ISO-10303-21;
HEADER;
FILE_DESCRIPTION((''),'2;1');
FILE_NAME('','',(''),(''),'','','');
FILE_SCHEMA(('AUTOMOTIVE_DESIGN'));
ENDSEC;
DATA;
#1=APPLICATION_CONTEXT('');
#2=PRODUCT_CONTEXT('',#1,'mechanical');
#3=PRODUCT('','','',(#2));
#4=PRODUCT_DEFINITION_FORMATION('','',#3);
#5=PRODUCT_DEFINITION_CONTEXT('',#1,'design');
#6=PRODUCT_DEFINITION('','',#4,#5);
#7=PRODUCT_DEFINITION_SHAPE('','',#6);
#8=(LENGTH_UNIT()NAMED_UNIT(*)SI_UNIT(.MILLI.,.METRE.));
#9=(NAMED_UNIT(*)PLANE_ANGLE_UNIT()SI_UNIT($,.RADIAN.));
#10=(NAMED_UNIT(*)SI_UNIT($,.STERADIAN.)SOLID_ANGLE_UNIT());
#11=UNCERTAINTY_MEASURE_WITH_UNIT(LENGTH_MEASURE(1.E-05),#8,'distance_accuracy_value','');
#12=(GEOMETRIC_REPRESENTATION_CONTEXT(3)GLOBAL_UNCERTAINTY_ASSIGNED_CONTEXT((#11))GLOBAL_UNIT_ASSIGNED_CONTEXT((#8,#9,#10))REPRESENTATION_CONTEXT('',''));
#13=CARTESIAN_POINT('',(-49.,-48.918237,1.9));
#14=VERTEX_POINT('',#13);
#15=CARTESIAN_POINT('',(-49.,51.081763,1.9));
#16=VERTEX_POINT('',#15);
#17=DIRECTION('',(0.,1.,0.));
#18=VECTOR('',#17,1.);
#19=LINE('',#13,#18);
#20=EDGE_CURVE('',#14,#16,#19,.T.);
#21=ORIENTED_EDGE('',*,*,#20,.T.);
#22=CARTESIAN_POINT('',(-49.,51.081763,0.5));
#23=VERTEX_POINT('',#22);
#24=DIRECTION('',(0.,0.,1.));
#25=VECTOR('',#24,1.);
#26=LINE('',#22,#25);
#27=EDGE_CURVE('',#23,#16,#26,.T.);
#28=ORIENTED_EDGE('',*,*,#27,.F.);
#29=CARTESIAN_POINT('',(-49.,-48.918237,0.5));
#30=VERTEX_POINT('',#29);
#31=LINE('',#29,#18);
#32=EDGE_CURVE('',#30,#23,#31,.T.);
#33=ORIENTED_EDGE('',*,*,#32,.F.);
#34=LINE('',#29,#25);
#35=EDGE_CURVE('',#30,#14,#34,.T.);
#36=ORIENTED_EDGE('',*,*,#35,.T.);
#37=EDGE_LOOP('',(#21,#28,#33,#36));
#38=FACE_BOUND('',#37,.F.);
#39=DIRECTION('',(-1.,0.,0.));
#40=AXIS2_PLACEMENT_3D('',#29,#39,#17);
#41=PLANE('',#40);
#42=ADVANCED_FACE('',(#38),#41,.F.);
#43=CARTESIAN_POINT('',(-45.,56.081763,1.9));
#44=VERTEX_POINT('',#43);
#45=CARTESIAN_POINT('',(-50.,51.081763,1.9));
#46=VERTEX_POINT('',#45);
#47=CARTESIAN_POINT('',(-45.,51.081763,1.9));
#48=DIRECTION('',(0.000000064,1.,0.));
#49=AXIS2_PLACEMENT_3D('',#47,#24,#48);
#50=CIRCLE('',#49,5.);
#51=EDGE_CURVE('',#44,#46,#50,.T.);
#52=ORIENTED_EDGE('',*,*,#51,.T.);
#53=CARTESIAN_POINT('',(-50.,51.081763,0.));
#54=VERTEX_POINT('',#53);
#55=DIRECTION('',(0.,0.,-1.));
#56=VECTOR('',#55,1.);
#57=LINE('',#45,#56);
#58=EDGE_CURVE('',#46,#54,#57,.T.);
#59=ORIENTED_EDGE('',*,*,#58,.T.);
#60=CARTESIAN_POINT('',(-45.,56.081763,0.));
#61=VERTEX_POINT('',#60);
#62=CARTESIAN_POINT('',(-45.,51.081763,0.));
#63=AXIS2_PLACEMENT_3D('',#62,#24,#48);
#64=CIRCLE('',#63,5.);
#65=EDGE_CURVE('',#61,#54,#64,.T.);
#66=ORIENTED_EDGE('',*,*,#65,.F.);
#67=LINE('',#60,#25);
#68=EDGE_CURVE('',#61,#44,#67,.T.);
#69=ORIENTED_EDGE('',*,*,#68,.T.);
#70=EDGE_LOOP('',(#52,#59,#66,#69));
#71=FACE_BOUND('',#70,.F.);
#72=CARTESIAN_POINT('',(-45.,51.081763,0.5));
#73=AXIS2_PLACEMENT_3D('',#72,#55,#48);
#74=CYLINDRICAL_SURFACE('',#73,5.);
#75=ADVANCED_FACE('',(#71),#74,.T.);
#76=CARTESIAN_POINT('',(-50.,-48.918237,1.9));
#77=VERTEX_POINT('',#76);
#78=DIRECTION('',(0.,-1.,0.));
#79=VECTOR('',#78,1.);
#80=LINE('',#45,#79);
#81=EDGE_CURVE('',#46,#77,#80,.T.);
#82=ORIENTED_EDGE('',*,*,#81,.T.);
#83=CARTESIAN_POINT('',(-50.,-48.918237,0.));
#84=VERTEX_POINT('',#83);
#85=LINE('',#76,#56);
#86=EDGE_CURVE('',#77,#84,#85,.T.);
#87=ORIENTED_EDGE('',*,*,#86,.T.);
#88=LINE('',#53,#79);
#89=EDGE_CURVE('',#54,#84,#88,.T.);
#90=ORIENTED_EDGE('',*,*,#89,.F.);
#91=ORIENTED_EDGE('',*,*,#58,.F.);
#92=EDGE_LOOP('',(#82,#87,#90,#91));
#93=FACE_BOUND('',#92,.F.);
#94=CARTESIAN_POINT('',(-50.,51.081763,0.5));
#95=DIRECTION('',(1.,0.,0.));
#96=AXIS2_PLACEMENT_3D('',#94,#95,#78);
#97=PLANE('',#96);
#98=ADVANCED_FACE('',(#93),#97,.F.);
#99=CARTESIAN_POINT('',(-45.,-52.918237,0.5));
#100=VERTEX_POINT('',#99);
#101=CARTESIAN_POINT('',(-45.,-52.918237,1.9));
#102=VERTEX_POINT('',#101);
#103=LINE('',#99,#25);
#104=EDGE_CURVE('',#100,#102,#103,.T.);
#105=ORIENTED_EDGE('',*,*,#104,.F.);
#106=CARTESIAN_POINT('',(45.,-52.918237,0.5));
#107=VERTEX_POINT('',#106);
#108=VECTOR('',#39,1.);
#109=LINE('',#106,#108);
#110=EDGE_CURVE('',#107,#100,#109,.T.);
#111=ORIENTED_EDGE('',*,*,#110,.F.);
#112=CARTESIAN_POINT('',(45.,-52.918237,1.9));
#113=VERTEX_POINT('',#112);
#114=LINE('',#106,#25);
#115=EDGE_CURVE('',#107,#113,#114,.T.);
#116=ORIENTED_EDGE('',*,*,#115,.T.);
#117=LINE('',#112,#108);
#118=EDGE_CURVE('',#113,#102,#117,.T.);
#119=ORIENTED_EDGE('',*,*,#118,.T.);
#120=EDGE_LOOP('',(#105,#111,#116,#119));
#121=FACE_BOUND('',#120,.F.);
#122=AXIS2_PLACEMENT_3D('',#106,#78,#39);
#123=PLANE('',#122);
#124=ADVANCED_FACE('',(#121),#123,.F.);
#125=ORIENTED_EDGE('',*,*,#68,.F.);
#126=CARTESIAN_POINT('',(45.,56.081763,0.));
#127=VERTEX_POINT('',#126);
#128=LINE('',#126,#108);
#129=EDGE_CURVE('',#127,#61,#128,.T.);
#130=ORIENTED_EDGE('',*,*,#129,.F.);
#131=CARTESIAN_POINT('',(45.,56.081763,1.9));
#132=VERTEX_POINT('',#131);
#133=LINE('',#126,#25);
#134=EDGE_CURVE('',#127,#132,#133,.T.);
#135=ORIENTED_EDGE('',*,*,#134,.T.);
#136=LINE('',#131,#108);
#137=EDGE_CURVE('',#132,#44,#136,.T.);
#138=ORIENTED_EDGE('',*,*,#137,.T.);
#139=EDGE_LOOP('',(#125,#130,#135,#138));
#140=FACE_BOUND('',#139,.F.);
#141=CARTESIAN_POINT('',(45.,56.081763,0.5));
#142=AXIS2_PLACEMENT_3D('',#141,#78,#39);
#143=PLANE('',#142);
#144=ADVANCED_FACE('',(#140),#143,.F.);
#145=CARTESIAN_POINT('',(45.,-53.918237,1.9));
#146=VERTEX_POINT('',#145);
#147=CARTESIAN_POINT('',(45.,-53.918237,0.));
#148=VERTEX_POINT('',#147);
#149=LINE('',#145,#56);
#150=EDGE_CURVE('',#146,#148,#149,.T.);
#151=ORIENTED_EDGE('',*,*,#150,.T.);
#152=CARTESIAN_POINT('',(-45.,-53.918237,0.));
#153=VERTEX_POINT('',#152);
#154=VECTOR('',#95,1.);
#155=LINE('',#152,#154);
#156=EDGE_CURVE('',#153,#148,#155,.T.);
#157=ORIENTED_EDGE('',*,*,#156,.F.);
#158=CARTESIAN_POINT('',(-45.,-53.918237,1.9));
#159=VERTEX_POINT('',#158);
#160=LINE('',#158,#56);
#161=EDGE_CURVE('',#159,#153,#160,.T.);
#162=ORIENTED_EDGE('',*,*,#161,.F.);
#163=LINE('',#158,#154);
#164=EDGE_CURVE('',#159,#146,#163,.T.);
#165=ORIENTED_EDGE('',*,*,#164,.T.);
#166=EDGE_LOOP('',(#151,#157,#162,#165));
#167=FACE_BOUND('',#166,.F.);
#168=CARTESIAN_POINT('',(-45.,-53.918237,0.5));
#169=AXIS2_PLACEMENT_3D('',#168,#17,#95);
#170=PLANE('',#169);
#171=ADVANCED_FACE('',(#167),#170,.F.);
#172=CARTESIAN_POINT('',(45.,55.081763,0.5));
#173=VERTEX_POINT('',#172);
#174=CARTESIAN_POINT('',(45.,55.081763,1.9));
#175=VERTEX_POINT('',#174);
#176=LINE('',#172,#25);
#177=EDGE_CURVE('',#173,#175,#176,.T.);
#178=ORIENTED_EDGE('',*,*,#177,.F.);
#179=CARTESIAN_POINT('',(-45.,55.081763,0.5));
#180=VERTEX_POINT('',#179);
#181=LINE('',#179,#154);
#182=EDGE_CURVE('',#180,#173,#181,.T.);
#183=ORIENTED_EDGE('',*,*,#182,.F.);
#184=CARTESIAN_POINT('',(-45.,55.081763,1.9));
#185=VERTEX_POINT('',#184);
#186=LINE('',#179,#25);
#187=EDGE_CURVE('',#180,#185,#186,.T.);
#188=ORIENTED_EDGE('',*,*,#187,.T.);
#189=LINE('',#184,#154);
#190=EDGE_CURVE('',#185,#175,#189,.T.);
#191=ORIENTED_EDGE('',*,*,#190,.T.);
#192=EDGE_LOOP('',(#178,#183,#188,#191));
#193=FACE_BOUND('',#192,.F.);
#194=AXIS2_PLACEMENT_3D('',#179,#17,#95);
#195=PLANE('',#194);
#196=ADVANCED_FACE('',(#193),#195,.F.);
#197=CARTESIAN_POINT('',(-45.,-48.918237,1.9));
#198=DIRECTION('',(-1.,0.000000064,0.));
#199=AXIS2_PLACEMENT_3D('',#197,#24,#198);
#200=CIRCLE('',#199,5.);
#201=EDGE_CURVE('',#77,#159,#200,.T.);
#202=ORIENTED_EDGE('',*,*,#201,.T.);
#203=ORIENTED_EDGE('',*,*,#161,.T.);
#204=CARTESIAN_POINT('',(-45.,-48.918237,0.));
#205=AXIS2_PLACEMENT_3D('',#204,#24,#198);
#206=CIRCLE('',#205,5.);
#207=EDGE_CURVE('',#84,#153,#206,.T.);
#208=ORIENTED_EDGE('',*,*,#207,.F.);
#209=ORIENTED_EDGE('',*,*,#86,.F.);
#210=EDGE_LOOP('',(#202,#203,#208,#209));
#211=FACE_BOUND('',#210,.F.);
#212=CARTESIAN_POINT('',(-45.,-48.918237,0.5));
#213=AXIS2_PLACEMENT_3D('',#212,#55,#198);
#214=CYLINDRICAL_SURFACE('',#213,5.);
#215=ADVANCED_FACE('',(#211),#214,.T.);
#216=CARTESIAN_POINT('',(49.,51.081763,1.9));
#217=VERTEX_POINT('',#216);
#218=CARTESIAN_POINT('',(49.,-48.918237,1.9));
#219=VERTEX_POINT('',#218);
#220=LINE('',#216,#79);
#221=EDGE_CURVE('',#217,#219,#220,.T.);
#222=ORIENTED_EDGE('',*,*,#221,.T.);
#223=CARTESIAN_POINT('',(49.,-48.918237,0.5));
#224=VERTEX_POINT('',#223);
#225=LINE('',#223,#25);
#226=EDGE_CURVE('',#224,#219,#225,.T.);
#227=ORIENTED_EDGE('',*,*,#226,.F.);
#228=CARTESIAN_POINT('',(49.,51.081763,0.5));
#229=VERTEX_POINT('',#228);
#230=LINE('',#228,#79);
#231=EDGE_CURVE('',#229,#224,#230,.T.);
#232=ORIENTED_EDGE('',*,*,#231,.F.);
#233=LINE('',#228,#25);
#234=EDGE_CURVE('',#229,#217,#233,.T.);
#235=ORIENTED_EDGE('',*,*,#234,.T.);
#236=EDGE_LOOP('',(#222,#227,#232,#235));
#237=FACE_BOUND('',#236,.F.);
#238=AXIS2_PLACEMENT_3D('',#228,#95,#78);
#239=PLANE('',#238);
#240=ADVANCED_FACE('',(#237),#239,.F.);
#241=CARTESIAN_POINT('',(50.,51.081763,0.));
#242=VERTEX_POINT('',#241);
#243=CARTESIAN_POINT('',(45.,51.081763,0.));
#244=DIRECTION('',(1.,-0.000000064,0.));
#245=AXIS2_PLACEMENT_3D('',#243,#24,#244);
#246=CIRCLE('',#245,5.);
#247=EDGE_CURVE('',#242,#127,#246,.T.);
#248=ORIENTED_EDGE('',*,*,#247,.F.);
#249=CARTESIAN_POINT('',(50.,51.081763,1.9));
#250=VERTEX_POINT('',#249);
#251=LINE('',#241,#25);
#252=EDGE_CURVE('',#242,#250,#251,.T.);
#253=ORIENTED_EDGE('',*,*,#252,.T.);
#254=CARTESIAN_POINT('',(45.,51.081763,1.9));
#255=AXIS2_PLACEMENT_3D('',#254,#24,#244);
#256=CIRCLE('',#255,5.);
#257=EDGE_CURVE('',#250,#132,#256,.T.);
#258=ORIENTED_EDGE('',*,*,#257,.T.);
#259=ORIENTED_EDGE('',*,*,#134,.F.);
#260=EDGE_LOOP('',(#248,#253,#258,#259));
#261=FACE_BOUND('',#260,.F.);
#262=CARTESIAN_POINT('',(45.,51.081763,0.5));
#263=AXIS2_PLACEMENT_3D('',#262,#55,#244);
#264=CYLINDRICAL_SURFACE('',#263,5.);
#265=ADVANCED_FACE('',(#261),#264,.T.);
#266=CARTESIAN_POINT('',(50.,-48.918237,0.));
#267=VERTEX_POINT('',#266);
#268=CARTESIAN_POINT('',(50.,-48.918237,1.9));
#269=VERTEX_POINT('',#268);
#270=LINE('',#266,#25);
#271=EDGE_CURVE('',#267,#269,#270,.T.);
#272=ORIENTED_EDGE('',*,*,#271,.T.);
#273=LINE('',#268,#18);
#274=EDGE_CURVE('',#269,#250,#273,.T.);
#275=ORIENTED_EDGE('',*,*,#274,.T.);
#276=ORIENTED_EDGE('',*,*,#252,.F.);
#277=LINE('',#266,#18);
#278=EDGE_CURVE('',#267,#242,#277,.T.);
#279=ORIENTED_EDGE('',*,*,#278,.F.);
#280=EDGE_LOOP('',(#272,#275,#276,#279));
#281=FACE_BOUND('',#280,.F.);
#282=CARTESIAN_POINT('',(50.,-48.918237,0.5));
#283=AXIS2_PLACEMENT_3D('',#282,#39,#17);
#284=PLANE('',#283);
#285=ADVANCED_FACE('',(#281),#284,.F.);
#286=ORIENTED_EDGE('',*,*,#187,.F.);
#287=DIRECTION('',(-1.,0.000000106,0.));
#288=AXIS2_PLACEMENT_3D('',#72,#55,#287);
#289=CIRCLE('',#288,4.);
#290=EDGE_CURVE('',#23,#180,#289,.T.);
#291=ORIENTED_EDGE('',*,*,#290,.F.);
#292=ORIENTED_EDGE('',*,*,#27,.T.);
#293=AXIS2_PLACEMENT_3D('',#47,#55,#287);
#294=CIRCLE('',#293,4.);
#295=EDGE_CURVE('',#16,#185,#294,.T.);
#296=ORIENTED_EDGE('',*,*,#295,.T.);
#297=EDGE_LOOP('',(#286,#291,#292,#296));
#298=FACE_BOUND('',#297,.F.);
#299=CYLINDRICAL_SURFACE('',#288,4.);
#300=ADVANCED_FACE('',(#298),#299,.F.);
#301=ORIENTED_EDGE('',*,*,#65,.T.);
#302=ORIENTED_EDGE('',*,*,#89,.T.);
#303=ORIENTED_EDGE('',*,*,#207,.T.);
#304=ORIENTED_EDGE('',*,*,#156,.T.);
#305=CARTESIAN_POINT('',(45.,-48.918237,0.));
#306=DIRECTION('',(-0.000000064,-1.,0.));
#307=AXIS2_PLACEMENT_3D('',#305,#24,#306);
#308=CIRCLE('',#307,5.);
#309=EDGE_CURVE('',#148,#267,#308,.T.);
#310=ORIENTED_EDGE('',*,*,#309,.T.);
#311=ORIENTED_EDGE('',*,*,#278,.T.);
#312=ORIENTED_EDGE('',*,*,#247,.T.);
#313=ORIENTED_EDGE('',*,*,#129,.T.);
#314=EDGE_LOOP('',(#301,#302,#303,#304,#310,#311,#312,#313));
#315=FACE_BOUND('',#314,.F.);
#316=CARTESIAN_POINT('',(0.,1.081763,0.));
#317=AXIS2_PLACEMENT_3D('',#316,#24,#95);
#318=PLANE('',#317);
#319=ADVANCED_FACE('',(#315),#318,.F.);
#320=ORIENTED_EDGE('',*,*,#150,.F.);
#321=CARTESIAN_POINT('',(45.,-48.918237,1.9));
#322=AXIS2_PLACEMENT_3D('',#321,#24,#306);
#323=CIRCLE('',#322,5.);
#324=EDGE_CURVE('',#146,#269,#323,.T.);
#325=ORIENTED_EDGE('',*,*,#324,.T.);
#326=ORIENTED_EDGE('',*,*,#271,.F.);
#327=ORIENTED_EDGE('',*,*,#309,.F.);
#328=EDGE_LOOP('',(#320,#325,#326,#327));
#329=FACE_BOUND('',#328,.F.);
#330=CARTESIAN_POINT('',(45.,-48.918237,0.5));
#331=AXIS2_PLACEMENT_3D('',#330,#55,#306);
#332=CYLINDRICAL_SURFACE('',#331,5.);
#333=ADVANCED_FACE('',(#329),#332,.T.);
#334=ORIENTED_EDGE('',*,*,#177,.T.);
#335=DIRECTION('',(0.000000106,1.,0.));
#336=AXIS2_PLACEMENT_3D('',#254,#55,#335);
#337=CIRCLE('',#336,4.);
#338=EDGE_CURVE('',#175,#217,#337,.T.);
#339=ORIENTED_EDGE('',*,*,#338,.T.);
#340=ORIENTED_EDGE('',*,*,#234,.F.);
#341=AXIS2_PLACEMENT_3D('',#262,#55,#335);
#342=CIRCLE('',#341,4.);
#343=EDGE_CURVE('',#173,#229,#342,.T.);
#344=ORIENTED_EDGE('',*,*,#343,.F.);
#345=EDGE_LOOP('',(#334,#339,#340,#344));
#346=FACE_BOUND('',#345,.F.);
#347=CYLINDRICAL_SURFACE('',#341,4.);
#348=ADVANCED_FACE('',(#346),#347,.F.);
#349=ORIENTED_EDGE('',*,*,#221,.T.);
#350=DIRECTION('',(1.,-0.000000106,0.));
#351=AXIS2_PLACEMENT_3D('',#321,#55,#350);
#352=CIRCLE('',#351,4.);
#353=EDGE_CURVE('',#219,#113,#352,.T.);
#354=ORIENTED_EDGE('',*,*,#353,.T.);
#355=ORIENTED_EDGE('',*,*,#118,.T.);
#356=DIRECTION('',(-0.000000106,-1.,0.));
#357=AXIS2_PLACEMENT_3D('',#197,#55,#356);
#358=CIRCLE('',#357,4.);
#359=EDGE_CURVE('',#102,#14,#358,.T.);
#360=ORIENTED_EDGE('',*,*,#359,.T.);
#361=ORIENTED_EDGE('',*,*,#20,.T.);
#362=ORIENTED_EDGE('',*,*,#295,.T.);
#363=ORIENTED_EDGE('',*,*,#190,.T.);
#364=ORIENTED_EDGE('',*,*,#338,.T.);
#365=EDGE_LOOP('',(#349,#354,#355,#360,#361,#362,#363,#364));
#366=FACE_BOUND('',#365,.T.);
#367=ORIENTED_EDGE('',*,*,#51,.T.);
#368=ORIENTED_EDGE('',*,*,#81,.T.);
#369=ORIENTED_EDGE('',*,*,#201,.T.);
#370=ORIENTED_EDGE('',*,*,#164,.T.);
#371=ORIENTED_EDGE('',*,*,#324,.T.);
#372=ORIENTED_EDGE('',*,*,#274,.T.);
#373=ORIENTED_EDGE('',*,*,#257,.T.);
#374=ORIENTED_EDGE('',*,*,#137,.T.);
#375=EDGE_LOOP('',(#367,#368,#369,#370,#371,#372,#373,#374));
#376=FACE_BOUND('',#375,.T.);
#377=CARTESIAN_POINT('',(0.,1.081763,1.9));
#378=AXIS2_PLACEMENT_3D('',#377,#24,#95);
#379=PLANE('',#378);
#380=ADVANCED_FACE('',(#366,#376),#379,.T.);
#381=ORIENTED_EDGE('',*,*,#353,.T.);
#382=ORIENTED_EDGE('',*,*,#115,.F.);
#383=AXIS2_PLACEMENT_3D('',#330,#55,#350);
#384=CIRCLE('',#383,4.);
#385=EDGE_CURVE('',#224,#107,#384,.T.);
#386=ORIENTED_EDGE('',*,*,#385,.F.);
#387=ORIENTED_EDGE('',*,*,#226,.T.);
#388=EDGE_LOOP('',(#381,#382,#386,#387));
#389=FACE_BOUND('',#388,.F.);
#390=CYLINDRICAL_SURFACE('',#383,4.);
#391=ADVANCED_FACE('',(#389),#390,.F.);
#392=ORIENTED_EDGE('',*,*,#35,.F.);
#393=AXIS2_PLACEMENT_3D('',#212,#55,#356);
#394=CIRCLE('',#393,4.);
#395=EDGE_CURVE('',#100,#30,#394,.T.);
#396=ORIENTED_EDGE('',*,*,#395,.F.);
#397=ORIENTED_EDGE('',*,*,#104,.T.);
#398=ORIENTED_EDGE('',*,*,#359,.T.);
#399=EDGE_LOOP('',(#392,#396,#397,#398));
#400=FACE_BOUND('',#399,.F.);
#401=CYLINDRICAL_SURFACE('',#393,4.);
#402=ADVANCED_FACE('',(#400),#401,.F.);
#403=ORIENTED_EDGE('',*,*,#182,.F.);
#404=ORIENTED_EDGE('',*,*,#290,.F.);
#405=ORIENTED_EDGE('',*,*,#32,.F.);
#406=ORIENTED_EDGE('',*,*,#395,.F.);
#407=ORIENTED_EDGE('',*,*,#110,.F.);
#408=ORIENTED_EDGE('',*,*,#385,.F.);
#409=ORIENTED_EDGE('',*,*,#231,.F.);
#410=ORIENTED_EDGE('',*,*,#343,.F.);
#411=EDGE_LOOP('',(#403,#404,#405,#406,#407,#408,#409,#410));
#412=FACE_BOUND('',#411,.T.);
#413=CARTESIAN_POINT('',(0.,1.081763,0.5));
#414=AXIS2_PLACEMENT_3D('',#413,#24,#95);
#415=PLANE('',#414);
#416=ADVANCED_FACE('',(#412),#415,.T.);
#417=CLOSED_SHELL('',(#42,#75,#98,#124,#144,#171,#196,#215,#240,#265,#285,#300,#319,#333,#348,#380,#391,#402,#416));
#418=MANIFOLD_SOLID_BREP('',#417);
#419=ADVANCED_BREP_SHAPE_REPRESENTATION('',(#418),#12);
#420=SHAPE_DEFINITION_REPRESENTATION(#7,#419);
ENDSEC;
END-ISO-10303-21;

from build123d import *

# Parameters (mm, degrees)
F1_DEPTH = 0.5
F3_DEPTH = 1.4


with BuildPart() as f1:
    # F0 (on Top) → F1 (new body)
    with BuildSketch(Plane.XY):
        with BuildLine():
            Line((-45, -53.918237), (45, -53.918237))
            ThreePointArc((45, -53.918237), (48.535534, -52.453771), (50, -48.918237))
            Line((50, -48.918237), (50, 51.081763))
            ThreePointArc((50, 51.081763), (48.535534, 54.617297), (45, 56.081763))
            Line((45, 56.081763), (-45, 56.081763))
            ThreePointArc((-45, 56.081763), (-48.535534, 54.617297), (-50, 51.081763))
            Line((-50, 51.081763), (-50, -48.918237))
            ThreePointArc((-50, -48.918237), (-48.535534, -52.453771), (-45, -53.918237))
        make_face()
    extrude(amount=F1_DEPTH)

    # F2 (on face) → F3 (join)
    with BuildSketch(Plane.XY.offset(0.5)):
        with BuildLine():
            ThreePointArc((45, -53.918237), (48.535534, -52.453771), (50, -48.918237))
            Line((50, -48.918237), (50, 51.081763))
            ThreePointArc((50, 51.081763), (48.535534, 54.617297), (45, 56.081763))
            Line((45, 56.081763), (-45, 56.081763))
            ThreePointArc((-45, 56.081763), (-48.535534, 54.617297), (-50, 51.081763))
            Line((-50, 51.081763), (-50, -48.918237))
            ThreePointArc((-50, -48.918237), (-48.535534, -52.453771), (-45, -53.918237))
            Line((-45, -53.918237), (45, -53.918237))
        make_face()
        with BuildLine():
            Line((49, 51.081763), (49, -48.918237))
            ThreePointArc((49, -48.918237), (47.828427, -51.746664), (45, -52.918237))
            Line((45, -52.918237), (-45, -52.918237))
            ThreePointArc((-45, -52.918237), (-47.828427, -51.746664), (-49, -48.918237))
            Line((-49, -48.918237), (-49, 51.081763))
            ThreePointArc((-49, 51.081763), (-47.828427, 53.91019), (-45, 55.081763))
            Line((-45, 55.081763), (45, 55.081763))
            ThreePointArc((45, 55.081763), (47.828427, 53.91019), (49, 51.081763))
        make_face(mode=Mode.SUBTRACT)
    extrude(amount=F3_DEPTH)


solid = f1.part
